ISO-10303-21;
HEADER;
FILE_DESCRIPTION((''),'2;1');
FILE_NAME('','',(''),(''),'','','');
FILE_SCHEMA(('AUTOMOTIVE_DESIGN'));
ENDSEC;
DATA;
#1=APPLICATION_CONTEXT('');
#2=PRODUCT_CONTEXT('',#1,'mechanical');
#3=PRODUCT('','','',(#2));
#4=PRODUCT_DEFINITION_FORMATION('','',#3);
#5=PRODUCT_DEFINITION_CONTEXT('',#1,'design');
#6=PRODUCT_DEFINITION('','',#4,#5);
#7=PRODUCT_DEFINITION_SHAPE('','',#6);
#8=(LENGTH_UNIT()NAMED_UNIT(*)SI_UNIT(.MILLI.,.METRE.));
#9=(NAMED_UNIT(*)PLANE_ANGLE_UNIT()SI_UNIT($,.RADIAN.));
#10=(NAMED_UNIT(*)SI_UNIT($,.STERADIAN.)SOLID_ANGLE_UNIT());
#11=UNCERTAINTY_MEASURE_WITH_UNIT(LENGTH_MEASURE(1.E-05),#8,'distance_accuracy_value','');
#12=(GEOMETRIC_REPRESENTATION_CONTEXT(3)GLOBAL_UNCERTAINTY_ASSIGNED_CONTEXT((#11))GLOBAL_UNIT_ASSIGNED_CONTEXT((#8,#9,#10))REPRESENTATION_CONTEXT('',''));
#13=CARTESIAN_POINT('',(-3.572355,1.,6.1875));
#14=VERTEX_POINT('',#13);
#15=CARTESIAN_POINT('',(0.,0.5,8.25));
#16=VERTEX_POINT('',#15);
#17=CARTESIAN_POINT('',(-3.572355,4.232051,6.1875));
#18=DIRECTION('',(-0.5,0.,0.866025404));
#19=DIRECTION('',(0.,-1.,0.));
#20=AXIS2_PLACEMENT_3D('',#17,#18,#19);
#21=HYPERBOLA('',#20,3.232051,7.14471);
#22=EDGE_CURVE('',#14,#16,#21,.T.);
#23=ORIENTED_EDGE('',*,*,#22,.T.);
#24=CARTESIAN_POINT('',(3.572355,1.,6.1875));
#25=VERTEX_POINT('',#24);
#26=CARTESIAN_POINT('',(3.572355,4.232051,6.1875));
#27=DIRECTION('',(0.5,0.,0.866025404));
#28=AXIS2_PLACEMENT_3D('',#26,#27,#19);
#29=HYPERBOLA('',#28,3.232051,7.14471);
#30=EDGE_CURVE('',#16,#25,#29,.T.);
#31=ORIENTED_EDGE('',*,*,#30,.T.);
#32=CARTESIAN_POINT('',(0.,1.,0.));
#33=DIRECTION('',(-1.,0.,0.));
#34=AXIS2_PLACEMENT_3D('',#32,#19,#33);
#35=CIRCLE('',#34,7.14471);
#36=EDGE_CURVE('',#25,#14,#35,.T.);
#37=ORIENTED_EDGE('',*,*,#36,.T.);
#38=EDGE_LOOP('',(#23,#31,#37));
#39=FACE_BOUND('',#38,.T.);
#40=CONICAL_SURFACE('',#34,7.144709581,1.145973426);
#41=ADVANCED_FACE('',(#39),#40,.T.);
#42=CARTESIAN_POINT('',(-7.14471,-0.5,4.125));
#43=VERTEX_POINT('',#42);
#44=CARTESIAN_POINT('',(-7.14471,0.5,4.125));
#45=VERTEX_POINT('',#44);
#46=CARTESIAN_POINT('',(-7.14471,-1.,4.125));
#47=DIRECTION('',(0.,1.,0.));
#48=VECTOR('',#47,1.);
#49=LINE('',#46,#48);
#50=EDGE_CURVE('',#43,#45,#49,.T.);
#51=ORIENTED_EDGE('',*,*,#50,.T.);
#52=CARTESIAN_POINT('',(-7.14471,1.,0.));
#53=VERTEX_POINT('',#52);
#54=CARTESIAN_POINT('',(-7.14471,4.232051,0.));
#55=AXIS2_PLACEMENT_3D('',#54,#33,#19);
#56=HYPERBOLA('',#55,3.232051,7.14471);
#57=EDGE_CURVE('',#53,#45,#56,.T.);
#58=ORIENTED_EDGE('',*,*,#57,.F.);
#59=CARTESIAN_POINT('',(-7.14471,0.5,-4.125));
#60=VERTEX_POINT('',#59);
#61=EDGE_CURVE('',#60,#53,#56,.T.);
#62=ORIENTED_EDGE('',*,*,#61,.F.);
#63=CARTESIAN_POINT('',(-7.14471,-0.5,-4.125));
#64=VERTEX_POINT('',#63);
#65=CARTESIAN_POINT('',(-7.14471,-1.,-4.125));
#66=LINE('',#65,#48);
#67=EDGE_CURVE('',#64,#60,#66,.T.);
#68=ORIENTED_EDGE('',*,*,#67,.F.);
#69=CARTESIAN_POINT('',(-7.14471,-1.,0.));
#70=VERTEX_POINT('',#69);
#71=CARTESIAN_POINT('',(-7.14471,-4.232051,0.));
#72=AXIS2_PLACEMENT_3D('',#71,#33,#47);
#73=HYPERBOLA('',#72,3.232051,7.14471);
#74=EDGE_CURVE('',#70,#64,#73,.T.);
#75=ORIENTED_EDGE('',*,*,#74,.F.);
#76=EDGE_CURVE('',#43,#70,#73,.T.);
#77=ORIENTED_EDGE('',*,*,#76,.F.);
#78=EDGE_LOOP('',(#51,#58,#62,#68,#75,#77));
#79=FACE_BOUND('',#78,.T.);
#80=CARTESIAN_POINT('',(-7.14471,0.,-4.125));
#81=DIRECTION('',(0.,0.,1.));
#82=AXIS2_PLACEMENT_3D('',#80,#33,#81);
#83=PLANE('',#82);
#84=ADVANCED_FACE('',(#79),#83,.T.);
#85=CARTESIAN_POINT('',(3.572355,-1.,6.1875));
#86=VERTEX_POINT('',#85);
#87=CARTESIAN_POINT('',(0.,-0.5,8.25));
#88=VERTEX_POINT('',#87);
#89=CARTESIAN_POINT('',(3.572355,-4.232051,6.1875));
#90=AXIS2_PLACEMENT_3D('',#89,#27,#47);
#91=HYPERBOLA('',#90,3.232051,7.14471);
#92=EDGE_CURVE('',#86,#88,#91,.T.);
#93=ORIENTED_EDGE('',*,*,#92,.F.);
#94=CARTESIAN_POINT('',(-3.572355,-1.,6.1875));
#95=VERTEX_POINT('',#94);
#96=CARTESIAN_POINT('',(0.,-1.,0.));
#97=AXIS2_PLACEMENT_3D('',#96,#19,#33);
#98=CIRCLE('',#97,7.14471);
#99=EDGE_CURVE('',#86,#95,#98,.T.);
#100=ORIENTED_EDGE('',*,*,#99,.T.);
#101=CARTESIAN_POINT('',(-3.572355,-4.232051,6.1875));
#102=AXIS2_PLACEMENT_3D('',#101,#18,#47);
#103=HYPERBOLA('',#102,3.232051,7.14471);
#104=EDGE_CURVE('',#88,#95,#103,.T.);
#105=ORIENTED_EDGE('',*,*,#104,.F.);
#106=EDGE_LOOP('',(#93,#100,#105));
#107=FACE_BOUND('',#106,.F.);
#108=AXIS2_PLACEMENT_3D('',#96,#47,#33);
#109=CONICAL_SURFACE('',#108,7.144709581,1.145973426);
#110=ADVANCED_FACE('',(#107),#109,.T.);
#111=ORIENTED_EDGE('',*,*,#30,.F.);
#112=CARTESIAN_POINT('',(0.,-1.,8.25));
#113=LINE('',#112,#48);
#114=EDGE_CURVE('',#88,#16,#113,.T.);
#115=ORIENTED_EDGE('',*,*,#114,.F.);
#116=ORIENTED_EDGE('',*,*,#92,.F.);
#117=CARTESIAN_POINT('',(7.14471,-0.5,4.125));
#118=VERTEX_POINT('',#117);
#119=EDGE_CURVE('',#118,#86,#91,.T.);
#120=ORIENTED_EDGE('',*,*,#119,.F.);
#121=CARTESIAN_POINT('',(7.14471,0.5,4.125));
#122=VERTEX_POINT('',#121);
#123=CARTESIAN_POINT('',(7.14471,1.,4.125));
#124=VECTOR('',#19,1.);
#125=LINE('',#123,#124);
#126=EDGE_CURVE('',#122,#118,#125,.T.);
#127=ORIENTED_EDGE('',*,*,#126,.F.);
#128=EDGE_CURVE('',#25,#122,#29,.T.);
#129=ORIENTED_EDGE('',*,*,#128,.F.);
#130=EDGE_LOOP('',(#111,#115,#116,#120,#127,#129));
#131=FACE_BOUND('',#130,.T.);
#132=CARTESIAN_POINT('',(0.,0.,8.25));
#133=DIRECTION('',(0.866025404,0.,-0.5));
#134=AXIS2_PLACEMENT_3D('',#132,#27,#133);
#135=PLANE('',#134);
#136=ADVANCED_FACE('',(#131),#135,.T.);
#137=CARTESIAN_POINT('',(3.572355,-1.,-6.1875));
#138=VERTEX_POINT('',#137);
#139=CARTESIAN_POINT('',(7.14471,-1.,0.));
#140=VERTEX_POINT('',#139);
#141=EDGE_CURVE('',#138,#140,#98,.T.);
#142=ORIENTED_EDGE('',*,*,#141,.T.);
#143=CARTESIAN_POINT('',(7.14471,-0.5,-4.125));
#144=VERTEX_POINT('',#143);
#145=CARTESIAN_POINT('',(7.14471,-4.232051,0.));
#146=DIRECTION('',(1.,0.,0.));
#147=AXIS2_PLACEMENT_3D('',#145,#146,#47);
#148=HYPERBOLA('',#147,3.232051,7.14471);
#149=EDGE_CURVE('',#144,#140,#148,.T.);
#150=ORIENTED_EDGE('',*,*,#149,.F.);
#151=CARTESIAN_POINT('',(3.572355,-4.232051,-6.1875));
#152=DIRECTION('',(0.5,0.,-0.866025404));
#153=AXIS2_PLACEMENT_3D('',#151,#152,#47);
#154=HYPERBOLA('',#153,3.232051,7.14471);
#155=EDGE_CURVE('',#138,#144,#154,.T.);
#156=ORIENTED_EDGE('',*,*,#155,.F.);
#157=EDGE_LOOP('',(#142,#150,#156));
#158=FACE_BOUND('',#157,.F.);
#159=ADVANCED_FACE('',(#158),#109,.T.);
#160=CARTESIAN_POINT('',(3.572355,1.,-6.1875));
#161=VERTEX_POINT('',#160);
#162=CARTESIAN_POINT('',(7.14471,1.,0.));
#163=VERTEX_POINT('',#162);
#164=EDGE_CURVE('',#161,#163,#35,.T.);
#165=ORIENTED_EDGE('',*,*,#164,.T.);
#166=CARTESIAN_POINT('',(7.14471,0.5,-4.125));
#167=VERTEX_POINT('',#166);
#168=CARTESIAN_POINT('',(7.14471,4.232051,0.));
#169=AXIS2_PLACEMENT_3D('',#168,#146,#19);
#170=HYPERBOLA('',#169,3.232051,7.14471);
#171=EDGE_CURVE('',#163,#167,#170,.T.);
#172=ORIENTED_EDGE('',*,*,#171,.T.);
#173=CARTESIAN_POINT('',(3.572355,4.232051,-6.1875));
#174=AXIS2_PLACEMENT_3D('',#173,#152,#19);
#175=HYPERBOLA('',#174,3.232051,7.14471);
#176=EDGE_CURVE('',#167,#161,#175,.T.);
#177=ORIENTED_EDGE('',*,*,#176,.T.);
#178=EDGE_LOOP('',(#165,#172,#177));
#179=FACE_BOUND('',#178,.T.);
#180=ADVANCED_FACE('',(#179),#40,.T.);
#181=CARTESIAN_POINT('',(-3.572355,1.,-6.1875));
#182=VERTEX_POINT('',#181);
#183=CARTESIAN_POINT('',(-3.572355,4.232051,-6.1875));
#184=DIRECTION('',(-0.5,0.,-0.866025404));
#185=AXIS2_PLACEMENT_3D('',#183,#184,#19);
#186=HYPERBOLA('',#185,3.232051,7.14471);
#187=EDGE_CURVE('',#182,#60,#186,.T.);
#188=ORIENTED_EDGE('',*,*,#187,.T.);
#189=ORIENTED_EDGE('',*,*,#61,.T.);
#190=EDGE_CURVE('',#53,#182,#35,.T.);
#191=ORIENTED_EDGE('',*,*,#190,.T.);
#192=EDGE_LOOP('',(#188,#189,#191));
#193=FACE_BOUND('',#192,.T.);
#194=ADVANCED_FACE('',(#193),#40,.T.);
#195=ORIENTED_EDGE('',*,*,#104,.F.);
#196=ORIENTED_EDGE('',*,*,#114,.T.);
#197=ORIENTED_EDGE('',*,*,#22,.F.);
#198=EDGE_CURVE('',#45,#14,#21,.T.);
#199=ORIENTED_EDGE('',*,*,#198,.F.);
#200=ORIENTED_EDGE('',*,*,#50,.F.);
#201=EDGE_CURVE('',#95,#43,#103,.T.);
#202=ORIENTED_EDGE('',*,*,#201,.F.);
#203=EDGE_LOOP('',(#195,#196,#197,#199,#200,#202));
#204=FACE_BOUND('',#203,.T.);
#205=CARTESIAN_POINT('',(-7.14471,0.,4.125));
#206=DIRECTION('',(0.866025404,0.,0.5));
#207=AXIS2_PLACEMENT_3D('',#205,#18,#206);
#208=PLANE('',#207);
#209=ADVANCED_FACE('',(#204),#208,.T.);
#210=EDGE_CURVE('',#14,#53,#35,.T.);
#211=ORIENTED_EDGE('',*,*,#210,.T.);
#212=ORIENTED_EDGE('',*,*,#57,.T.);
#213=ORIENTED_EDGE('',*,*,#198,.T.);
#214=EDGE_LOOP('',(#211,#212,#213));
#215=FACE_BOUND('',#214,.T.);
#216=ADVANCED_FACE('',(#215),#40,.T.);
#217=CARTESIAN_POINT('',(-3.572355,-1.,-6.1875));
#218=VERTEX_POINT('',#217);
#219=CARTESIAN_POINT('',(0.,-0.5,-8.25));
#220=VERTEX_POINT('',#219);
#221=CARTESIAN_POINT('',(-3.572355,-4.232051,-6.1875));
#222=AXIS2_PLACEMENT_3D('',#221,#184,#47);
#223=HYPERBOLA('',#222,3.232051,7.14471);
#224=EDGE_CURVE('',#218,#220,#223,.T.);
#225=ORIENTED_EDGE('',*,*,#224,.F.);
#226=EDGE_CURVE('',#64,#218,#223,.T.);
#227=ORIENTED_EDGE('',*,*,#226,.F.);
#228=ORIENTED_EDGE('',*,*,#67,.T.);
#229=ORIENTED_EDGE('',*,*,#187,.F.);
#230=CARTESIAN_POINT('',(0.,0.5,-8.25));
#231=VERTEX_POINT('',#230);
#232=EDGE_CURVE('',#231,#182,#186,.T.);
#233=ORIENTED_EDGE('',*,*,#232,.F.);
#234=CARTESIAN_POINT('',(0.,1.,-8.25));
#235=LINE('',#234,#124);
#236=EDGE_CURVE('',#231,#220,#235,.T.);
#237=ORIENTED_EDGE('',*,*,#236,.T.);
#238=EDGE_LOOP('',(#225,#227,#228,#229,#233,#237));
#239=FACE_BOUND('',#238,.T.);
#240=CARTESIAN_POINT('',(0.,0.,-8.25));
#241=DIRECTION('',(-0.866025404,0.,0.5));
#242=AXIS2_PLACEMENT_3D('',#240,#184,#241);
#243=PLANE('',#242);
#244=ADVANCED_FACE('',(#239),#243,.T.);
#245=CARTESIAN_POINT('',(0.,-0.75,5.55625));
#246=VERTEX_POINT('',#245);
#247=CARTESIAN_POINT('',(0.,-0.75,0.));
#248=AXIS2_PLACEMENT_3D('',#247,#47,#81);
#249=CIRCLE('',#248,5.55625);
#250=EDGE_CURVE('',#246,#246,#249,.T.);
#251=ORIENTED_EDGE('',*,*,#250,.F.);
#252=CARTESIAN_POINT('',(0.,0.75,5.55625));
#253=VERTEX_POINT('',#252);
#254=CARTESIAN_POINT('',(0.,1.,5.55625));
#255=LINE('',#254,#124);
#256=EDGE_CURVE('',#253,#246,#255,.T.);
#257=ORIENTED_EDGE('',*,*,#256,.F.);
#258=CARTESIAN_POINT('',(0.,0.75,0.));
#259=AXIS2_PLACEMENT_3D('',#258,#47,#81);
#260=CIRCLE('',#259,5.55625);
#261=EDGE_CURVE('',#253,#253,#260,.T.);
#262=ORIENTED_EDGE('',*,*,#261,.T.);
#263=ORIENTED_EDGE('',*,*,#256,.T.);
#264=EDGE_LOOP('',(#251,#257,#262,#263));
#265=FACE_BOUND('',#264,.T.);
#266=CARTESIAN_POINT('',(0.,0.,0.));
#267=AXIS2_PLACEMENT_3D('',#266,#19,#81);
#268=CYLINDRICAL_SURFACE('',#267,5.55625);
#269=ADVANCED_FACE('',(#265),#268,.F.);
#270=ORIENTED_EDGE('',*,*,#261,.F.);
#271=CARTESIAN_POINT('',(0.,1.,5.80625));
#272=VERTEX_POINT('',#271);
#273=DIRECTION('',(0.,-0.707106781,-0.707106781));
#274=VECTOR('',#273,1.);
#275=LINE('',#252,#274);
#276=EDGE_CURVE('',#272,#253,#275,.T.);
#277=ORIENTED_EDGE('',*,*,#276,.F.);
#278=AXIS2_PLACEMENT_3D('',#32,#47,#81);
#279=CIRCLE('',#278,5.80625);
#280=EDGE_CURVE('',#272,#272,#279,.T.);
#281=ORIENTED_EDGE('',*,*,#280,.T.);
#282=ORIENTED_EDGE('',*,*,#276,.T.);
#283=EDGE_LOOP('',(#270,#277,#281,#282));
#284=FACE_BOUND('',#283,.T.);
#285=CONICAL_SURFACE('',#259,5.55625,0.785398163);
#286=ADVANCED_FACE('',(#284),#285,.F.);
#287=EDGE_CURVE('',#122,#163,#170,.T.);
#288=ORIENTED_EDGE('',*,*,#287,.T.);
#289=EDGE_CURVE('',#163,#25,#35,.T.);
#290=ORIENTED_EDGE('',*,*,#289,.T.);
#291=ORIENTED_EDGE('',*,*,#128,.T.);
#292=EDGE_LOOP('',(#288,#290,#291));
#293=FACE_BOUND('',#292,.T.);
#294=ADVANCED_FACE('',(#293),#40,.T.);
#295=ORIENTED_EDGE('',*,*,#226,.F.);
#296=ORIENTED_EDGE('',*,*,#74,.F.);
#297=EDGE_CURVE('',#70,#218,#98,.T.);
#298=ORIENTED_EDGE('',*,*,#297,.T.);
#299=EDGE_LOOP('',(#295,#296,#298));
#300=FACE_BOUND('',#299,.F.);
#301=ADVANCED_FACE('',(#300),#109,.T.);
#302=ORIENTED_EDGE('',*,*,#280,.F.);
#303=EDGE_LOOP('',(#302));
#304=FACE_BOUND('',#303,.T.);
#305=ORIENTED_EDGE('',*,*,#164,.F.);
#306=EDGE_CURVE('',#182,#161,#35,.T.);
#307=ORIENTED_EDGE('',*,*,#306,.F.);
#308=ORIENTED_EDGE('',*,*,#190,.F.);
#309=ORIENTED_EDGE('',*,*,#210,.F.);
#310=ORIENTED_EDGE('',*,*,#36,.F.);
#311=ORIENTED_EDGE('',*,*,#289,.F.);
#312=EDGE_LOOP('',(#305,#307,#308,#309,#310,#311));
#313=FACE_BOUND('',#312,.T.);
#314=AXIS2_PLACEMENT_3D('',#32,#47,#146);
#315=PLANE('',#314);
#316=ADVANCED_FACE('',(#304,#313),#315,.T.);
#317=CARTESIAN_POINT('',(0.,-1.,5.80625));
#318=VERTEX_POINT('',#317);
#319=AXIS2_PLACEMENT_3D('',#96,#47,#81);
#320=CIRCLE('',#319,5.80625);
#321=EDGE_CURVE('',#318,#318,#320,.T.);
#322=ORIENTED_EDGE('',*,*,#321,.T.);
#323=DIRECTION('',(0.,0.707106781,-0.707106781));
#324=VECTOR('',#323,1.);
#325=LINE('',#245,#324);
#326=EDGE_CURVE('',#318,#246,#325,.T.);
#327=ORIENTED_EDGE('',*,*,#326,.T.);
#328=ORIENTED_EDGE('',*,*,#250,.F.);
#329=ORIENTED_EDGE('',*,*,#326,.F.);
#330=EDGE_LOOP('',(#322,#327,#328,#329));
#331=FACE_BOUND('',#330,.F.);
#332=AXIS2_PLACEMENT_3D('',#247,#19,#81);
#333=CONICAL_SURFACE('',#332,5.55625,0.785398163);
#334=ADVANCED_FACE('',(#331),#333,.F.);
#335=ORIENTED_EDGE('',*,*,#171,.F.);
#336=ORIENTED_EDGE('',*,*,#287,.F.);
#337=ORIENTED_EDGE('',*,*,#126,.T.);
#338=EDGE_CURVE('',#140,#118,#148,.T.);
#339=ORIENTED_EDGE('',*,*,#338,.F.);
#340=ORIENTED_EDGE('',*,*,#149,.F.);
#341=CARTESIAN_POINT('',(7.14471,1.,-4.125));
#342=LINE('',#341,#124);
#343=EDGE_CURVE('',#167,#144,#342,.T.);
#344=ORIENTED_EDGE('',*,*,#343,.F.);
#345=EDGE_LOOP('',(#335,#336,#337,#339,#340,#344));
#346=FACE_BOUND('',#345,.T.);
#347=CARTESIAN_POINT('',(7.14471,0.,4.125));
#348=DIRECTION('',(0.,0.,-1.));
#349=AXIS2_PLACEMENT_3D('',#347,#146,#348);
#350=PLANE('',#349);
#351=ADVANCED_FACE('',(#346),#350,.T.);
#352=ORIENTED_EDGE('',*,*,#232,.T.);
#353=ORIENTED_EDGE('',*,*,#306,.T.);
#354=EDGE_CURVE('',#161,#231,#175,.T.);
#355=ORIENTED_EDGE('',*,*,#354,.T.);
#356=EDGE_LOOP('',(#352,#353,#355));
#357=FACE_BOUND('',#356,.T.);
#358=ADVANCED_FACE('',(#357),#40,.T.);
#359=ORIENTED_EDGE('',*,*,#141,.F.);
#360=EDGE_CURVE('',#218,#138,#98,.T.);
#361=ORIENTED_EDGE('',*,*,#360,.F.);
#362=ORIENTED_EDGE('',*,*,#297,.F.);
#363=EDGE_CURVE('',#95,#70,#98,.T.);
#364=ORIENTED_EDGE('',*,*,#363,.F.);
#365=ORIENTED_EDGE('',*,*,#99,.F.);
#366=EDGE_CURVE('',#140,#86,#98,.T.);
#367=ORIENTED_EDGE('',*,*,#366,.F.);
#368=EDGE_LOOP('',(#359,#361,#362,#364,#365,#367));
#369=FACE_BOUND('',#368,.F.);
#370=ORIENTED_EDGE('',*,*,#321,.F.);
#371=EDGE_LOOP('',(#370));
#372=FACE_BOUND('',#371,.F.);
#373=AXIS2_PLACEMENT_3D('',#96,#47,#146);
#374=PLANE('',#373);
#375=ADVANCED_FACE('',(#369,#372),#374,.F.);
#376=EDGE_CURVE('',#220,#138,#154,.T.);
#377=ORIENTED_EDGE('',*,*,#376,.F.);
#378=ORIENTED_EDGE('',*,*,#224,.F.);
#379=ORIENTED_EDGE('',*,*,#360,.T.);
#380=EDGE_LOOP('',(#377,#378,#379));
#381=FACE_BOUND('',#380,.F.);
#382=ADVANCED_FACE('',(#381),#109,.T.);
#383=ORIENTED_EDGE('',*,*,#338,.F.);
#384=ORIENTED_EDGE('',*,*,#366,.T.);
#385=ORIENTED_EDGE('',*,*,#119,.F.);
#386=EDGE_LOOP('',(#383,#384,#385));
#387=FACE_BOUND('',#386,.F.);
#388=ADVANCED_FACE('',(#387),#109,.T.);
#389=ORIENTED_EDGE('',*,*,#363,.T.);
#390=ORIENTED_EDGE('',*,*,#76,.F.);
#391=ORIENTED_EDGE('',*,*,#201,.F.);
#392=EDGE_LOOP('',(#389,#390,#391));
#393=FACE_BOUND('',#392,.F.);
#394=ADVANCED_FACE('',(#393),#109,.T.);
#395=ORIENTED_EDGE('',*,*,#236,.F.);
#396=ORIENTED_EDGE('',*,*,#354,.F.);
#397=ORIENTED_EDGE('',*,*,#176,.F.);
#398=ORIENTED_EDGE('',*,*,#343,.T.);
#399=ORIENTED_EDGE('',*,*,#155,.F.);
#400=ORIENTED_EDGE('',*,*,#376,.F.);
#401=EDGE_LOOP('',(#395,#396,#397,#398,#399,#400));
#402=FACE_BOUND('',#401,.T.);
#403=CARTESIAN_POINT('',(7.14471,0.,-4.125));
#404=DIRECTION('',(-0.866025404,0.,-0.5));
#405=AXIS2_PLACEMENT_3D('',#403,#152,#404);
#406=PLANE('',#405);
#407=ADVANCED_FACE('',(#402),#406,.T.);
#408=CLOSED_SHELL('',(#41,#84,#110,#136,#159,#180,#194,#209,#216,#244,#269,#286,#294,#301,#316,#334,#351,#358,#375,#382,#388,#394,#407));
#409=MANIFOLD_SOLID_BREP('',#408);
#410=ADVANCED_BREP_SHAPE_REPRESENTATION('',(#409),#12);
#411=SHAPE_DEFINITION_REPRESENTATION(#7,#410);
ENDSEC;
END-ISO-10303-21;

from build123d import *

# Parameters (mm, degrees)
SKETCH1_R           = 5.55625
BOSS_EXTRUDE1_DEPTH = 1
CHAMFER1_SIZE       = 0.25


with BuildPart() as part:
    # Sketch1 → Boss-Extrude1 (new, symmetric)
    with BuildSketch(Plane(origin=(0, 0, 0), x_dir=(1, 0, 0), z_dir=(0, 1, 0))):
        Polygon((0, 8.25), (-7.144709581, 4.125), (-7.144709581, -4.125), (0, -8.25), (7.144709581, -4.125), (7.144709581, 4.125), align=None)
        with Locations(Location((0, 0, 0), (0, 0, 270))):
            Circle(SKETCH1_R, mode=Mode.SUBTRACT)
    extrude(amount=BOSS_EXTRUDE1_DEPTH, both=True)

    # Sketch4 → Cut-Revolve1 (revolve, cut)
    with BuildSketch(Plane.XY):
        Polygon((-7.144709581, 1), (-8.25, 0.5), (-8.644709581, 0.5), (-8.644709581, 2), (-7.144709581, 2), align=None)
        Polygon((-7.144709581, -2), (-7.144709581, -1), (-8.25, -0.5), (-8.644709581, -0.5), (-8.644709581, -2), align=None)
    revolve(axis=Axis((0, 1, 0), (0, -1, 0)), mode=Mode.SUBTRACT)

    # Chamfer1
    chamfer1_edges = [part.edges().sort_by_distance(p)[0] for p in [
        (0, -1, -5.55625),
        (0, 1, -5.55625),
    ]]
    chamfer(chamfer1_edges, length=CHAMFER1_SIZE)


solid = part.part
